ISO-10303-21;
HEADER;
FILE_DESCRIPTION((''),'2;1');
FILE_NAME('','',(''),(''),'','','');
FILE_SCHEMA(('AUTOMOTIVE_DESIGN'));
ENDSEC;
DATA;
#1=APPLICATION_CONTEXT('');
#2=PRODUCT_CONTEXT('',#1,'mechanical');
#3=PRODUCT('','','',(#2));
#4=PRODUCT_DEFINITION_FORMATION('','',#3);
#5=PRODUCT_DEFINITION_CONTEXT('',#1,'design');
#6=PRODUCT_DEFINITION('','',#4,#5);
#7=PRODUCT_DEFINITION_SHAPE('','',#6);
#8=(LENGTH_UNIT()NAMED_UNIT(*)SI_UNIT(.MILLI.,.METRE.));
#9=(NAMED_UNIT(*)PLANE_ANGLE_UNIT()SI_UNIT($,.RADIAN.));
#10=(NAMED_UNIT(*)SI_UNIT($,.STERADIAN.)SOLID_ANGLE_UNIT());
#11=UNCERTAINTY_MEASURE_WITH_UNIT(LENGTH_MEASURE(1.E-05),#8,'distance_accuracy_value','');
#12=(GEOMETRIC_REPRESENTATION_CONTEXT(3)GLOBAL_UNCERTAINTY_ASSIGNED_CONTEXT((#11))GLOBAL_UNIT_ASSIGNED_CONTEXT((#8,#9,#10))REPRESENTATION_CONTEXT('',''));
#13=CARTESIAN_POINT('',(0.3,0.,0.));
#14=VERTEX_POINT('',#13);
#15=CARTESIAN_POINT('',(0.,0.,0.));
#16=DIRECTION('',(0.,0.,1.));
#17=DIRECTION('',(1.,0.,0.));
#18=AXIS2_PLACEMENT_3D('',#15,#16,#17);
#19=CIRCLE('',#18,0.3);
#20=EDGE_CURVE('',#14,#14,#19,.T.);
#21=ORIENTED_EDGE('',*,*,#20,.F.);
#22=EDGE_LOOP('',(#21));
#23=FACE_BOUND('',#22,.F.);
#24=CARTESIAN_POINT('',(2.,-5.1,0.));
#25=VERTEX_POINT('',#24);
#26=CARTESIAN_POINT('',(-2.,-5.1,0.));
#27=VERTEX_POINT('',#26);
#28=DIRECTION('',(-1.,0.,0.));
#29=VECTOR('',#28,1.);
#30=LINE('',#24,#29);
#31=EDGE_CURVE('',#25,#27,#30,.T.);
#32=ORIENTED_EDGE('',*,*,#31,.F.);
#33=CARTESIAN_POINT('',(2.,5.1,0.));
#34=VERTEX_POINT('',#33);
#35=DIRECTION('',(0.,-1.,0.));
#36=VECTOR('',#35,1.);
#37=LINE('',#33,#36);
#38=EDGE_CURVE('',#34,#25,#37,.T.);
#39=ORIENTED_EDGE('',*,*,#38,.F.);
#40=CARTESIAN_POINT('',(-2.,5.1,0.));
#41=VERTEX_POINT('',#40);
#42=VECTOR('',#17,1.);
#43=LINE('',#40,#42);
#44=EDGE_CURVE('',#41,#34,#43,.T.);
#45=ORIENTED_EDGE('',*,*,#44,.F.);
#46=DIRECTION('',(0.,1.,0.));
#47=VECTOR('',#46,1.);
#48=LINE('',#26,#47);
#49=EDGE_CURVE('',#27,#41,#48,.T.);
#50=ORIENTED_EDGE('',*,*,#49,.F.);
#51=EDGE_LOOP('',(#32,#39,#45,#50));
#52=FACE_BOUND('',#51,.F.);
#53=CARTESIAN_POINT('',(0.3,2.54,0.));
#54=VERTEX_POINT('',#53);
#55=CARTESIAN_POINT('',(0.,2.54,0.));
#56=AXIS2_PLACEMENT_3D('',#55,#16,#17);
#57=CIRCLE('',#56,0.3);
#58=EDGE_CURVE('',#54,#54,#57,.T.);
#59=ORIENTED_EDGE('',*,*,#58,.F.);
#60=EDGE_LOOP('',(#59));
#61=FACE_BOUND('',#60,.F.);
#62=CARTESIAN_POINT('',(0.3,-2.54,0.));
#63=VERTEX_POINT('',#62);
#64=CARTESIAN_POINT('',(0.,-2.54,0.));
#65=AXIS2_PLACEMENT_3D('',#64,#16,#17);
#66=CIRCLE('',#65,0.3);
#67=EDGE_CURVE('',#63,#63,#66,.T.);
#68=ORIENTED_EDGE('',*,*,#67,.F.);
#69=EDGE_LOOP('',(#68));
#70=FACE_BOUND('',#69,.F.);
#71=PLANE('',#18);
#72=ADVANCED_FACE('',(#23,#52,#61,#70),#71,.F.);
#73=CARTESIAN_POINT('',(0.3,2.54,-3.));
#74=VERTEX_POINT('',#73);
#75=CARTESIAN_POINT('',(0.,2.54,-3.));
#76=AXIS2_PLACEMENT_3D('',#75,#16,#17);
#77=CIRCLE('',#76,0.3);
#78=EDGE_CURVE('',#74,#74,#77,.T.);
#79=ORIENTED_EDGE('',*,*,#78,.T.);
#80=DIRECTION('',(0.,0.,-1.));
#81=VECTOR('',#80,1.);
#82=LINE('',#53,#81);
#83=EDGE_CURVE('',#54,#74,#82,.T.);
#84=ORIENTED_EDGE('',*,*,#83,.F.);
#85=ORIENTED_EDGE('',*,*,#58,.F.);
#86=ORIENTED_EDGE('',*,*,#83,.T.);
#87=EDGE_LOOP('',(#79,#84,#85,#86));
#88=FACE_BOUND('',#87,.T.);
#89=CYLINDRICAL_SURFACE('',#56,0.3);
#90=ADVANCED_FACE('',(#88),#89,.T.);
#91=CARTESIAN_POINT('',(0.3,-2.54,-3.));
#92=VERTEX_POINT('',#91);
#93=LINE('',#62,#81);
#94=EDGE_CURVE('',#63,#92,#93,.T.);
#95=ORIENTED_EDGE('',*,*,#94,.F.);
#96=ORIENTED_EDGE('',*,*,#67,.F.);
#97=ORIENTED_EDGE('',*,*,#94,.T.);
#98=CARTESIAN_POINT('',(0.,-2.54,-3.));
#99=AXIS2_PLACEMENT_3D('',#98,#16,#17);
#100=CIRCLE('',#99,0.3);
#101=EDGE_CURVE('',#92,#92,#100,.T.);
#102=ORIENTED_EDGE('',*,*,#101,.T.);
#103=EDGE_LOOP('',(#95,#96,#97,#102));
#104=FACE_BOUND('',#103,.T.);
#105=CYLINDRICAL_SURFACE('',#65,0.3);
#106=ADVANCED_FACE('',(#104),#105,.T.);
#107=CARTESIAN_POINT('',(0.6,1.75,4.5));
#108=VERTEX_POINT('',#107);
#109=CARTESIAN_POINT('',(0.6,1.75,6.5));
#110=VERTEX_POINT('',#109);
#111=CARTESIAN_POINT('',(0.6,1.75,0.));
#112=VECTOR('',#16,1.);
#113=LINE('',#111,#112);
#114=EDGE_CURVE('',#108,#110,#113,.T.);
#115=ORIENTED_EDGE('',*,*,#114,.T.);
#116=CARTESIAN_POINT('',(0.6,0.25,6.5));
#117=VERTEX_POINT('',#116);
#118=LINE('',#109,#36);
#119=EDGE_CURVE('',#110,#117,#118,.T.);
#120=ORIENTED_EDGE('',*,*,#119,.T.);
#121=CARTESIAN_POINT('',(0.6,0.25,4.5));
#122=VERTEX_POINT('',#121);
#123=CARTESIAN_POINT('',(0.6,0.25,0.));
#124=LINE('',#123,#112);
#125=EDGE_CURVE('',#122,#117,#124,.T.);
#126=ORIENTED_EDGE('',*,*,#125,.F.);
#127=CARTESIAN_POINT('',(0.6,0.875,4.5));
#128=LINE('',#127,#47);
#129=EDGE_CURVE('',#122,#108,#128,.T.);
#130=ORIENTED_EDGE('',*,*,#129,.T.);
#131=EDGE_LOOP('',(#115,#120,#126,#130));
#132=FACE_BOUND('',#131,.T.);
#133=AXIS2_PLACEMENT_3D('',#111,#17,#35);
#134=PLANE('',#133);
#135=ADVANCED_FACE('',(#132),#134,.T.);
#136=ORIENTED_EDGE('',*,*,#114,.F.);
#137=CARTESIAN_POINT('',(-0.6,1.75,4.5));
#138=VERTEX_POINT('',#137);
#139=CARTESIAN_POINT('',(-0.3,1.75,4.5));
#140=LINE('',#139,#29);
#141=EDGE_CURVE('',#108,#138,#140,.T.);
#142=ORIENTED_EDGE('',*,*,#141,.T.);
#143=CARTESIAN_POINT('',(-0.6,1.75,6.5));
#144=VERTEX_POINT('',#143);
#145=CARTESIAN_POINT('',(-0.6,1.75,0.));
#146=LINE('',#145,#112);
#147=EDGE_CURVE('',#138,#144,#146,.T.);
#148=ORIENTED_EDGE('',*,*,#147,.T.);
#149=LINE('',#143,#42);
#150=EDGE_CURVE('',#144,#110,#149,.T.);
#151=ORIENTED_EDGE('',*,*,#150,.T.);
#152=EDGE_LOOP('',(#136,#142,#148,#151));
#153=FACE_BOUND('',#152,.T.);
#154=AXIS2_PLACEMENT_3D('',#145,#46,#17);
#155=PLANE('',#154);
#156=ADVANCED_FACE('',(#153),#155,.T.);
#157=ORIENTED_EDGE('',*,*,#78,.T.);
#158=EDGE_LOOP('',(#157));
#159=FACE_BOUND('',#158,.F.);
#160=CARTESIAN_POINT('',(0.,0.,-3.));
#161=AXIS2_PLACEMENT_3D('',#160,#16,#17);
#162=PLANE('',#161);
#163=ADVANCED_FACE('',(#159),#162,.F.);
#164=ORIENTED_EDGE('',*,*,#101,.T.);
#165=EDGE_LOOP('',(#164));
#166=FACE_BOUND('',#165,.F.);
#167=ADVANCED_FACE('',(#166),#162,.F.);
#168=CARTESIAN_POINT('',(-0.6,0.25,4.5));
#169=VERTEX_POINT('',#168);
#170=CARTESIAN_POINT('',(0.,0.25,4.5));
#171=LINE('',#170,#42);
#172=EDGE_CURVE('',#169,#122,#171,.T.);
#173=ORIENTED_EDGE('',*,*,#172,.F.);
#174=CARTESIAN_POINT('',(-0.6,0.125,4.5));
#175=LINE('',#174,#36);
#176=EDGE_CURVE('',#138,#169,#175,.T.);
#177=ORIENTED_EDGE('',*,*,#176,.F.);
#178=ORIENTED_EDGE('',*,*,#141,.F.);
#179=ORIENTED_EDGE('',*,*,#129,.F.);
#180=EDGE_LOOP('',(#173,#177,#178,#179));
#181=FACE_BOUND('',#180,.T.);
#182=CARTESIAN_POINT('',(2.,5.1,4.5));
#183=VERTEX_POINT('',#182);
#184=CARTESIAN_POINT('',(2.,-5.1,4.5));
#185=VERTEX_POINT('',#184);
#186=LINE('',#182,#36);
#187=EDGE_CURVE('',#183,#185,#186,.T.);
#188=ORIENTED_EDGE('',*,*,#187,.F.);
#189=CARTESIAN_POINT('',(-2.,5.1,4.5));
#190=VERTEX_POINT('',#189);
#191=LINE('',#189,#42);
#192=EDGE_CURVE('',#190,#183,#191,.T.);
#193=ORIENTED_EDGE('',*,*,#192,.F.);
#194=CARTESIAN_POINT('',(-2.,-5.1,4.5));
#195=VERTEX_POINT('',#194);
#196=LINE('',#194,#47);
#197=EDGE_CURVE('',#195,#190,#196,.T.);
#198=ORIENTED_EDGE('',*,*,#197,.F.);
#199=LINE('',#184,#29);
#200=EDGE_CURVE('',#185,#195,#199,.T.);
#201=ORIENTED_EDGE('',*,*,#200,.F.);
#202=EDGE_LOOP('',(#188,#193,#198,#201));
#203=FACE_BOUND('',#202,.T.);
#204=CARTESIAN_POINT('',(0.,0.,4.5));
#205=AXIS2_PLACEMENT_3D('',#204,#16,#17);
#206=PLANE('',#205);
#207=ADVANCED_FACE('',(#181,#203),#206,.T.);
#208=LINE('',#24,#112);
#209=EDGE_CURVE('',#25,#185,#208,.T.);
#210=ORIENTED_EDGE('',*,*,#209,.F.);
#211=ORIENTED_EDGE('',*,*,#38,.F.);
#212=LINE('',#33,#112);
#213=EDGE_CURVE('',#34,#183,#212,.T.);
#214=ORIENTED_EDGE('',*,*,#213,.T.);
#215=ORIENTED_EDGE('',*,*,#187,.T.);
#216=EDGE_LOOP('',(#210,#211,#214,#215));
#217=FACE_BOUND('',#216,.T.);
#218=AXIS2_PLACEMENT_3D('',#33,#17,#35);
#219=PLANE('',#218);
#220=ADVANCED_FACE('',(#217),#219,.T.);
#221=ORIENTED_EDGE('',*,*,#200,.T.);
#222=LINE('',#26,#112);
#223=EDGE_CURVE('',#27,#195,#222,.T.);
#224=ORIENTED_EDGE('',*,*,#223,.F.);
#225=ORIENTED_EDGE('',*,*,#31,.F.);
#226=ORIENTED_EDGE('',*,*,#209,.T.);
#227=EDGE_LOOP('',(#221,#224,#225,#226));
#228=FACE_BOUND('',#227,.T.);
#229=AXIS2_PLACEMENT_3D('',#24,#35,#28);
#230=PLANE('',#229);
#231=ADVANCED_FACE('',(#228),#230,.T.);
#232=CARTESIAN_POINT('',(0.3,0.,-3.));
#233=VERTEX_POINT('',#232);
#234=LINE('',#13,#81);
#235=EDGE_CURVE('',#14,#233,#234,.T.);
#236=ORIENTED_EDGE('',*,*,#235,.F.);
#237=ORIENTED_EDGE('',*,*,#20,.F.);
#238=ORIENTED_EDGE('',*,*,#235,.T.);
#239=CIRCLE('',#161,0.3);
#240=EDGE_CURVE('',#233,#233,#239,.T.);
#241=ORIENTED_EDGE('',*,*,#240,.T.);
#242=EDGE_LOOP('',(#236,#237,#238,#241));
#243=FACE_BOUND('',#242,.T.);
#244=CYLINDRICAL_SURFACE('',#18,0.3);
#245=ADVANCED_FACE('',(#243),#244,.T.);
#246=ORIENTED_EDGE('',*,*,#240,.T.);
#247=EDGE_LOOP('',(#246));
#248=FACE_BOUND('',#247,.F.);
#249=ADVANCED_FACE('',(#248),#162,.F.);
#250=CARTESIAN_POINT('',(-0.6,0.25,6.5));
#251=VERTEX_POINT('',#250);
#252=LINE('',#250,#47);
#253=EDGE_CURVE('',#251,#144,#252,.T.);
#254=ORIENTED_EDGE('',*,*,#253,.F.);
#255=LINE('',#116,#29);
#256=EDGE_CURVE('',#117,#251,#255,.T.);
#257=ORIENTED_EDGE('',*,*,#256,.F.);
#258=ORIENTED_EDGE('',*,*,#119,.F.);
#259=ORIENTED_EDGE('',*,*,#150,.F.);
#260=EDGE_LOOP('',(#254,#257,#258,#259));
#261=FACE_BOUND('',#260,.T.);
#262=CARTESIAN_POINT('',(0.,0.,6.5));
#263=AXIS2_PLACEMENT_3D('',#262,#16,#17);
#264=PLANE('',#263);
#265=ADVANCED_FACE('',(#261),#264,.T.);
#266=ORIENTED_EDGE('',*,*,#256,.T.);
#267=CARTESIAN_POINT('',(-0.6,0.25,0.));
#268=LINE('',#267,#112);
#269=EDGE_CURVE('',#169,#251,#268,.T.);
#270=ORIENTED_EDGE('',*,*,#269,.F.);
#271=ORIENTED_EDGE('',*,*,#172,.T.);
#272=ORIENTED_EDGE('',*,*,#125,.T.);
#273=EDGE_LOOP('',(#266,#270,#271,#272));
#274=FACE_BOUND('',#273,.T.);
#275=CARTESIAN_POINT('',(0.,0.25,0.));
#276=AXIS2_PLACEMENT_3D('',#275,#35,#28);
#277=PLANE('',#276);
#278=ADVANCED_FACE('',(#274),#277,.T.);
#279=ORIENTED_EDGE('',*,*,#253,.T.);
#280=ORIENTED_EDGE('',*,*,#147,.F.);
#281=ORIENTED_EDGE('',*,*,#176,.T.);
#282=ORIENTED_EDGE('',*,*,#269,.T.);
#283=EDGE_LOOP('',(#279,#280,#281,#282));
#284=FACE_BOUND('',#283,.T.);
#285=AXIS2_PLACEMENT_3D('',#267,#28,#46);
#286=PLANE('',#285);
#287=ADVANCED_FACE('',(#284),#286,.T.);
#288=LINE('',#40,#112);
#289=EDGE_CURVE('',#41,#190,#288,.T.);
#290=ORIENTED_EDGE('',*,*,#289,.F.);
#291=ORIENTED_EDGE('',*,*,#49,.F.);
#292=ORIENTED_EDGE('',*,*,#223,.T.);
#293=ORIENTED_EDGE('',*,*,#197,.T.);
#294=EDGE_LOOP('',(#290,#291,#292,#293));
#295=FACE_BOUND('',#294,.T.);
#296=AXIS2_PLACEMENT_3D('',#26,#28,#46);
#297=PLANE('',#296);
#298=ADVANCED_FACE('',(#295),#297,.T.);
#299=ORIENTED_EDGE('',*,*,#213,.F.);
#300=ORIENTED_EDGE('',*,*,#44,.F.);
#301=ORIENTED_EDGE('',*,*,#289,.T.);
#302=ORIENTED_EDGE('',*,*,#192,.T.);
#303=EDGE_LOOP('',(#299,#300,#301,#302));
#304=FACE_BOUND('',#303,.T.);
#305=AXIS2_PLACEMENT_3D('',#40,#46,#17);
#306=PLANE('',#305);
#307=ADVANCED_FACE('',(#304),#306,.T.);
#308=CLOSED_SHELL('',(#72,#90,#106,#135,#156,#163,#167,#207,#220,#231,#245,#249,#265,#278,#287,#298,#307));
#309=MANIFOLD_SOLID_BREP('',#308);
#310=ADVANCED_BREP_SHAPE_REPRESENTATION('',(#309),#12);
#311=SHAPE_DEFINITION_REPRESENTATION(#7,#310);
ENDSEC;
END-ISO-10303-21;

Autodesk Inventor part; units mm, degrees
sketch "スケッチ1" plane through (0, 0, 0) normal (0, 0, 1) x (1, 0, 0)
  line L0 (-2, 5.1) -> (2, 5.1)
  line L1 (2, 5.1) -> (2, -5.1)
  line L2 (2, -5.1) -> (-2, -5.1)
  line L3 (-2, -5.1) -> (-2, 5.1)
  point P0 (0, 0)
  dimension "d0" = 2
  dimension "d1" = 4
  dimension "d2" = 5.1
  dimension "d3" = 10.2
extrude "押し出し1" add sketch "スケッチ1" along normal blind 4.5
sketch "スケッチ4" plane through (0, 0, 0) normal (0, 0, 1) x (1, 0, 0)
  circle A0 centre (0, 2.54) radius 0.3
  circle A1 centre (0, 0) radius 0.3
  circle A2 centre (0, -2.54) radius 0.3
  dimension "d16" = 0.6
  dimension "d17" = 0.6
  dimension "d18" = 0.6
  dimension "d19" = 2.54
  dimension "d20" = 2.54
extrude "押し出し3" add sketch "スケッチ4" against normal blind 3
sketch "スケッチ5" plane through (0, 0, 0) normal (0, 0, 1) x (1, 0, 0)
  line L0 (-0.6, 1.75) -> (0.6, 1.75)
  line L1 (0.6, 1.75) -> (0.6, 0.25)
  line L2 (0.6, 0.25) -> (-0.6, 0.25)
  line L3 (-0.6, 0.25) -> (-0.6, 1.75)
  line L4 (0.6, 0.25) -> (-0.6, 1.75)
  line L5 (0.6, 1.75) -> (-0.6, 0.25)
  line L6 (0, -0.35) -> (0, 2.1) projected
  line L7 (-0.84, 0) -> (0.84, 0) projected
  point P0 (0, 0)
  point P1 (0, 1)
  point P2 (0, 1)
  dimension "d23" = 1
  dimension "d24" = 1.5
  dimension "d25" = 1.2
extrude "押し出し4" add sketch "スケッチ5" along normal blind 6.5
properties part number "SS-12SDP2"
